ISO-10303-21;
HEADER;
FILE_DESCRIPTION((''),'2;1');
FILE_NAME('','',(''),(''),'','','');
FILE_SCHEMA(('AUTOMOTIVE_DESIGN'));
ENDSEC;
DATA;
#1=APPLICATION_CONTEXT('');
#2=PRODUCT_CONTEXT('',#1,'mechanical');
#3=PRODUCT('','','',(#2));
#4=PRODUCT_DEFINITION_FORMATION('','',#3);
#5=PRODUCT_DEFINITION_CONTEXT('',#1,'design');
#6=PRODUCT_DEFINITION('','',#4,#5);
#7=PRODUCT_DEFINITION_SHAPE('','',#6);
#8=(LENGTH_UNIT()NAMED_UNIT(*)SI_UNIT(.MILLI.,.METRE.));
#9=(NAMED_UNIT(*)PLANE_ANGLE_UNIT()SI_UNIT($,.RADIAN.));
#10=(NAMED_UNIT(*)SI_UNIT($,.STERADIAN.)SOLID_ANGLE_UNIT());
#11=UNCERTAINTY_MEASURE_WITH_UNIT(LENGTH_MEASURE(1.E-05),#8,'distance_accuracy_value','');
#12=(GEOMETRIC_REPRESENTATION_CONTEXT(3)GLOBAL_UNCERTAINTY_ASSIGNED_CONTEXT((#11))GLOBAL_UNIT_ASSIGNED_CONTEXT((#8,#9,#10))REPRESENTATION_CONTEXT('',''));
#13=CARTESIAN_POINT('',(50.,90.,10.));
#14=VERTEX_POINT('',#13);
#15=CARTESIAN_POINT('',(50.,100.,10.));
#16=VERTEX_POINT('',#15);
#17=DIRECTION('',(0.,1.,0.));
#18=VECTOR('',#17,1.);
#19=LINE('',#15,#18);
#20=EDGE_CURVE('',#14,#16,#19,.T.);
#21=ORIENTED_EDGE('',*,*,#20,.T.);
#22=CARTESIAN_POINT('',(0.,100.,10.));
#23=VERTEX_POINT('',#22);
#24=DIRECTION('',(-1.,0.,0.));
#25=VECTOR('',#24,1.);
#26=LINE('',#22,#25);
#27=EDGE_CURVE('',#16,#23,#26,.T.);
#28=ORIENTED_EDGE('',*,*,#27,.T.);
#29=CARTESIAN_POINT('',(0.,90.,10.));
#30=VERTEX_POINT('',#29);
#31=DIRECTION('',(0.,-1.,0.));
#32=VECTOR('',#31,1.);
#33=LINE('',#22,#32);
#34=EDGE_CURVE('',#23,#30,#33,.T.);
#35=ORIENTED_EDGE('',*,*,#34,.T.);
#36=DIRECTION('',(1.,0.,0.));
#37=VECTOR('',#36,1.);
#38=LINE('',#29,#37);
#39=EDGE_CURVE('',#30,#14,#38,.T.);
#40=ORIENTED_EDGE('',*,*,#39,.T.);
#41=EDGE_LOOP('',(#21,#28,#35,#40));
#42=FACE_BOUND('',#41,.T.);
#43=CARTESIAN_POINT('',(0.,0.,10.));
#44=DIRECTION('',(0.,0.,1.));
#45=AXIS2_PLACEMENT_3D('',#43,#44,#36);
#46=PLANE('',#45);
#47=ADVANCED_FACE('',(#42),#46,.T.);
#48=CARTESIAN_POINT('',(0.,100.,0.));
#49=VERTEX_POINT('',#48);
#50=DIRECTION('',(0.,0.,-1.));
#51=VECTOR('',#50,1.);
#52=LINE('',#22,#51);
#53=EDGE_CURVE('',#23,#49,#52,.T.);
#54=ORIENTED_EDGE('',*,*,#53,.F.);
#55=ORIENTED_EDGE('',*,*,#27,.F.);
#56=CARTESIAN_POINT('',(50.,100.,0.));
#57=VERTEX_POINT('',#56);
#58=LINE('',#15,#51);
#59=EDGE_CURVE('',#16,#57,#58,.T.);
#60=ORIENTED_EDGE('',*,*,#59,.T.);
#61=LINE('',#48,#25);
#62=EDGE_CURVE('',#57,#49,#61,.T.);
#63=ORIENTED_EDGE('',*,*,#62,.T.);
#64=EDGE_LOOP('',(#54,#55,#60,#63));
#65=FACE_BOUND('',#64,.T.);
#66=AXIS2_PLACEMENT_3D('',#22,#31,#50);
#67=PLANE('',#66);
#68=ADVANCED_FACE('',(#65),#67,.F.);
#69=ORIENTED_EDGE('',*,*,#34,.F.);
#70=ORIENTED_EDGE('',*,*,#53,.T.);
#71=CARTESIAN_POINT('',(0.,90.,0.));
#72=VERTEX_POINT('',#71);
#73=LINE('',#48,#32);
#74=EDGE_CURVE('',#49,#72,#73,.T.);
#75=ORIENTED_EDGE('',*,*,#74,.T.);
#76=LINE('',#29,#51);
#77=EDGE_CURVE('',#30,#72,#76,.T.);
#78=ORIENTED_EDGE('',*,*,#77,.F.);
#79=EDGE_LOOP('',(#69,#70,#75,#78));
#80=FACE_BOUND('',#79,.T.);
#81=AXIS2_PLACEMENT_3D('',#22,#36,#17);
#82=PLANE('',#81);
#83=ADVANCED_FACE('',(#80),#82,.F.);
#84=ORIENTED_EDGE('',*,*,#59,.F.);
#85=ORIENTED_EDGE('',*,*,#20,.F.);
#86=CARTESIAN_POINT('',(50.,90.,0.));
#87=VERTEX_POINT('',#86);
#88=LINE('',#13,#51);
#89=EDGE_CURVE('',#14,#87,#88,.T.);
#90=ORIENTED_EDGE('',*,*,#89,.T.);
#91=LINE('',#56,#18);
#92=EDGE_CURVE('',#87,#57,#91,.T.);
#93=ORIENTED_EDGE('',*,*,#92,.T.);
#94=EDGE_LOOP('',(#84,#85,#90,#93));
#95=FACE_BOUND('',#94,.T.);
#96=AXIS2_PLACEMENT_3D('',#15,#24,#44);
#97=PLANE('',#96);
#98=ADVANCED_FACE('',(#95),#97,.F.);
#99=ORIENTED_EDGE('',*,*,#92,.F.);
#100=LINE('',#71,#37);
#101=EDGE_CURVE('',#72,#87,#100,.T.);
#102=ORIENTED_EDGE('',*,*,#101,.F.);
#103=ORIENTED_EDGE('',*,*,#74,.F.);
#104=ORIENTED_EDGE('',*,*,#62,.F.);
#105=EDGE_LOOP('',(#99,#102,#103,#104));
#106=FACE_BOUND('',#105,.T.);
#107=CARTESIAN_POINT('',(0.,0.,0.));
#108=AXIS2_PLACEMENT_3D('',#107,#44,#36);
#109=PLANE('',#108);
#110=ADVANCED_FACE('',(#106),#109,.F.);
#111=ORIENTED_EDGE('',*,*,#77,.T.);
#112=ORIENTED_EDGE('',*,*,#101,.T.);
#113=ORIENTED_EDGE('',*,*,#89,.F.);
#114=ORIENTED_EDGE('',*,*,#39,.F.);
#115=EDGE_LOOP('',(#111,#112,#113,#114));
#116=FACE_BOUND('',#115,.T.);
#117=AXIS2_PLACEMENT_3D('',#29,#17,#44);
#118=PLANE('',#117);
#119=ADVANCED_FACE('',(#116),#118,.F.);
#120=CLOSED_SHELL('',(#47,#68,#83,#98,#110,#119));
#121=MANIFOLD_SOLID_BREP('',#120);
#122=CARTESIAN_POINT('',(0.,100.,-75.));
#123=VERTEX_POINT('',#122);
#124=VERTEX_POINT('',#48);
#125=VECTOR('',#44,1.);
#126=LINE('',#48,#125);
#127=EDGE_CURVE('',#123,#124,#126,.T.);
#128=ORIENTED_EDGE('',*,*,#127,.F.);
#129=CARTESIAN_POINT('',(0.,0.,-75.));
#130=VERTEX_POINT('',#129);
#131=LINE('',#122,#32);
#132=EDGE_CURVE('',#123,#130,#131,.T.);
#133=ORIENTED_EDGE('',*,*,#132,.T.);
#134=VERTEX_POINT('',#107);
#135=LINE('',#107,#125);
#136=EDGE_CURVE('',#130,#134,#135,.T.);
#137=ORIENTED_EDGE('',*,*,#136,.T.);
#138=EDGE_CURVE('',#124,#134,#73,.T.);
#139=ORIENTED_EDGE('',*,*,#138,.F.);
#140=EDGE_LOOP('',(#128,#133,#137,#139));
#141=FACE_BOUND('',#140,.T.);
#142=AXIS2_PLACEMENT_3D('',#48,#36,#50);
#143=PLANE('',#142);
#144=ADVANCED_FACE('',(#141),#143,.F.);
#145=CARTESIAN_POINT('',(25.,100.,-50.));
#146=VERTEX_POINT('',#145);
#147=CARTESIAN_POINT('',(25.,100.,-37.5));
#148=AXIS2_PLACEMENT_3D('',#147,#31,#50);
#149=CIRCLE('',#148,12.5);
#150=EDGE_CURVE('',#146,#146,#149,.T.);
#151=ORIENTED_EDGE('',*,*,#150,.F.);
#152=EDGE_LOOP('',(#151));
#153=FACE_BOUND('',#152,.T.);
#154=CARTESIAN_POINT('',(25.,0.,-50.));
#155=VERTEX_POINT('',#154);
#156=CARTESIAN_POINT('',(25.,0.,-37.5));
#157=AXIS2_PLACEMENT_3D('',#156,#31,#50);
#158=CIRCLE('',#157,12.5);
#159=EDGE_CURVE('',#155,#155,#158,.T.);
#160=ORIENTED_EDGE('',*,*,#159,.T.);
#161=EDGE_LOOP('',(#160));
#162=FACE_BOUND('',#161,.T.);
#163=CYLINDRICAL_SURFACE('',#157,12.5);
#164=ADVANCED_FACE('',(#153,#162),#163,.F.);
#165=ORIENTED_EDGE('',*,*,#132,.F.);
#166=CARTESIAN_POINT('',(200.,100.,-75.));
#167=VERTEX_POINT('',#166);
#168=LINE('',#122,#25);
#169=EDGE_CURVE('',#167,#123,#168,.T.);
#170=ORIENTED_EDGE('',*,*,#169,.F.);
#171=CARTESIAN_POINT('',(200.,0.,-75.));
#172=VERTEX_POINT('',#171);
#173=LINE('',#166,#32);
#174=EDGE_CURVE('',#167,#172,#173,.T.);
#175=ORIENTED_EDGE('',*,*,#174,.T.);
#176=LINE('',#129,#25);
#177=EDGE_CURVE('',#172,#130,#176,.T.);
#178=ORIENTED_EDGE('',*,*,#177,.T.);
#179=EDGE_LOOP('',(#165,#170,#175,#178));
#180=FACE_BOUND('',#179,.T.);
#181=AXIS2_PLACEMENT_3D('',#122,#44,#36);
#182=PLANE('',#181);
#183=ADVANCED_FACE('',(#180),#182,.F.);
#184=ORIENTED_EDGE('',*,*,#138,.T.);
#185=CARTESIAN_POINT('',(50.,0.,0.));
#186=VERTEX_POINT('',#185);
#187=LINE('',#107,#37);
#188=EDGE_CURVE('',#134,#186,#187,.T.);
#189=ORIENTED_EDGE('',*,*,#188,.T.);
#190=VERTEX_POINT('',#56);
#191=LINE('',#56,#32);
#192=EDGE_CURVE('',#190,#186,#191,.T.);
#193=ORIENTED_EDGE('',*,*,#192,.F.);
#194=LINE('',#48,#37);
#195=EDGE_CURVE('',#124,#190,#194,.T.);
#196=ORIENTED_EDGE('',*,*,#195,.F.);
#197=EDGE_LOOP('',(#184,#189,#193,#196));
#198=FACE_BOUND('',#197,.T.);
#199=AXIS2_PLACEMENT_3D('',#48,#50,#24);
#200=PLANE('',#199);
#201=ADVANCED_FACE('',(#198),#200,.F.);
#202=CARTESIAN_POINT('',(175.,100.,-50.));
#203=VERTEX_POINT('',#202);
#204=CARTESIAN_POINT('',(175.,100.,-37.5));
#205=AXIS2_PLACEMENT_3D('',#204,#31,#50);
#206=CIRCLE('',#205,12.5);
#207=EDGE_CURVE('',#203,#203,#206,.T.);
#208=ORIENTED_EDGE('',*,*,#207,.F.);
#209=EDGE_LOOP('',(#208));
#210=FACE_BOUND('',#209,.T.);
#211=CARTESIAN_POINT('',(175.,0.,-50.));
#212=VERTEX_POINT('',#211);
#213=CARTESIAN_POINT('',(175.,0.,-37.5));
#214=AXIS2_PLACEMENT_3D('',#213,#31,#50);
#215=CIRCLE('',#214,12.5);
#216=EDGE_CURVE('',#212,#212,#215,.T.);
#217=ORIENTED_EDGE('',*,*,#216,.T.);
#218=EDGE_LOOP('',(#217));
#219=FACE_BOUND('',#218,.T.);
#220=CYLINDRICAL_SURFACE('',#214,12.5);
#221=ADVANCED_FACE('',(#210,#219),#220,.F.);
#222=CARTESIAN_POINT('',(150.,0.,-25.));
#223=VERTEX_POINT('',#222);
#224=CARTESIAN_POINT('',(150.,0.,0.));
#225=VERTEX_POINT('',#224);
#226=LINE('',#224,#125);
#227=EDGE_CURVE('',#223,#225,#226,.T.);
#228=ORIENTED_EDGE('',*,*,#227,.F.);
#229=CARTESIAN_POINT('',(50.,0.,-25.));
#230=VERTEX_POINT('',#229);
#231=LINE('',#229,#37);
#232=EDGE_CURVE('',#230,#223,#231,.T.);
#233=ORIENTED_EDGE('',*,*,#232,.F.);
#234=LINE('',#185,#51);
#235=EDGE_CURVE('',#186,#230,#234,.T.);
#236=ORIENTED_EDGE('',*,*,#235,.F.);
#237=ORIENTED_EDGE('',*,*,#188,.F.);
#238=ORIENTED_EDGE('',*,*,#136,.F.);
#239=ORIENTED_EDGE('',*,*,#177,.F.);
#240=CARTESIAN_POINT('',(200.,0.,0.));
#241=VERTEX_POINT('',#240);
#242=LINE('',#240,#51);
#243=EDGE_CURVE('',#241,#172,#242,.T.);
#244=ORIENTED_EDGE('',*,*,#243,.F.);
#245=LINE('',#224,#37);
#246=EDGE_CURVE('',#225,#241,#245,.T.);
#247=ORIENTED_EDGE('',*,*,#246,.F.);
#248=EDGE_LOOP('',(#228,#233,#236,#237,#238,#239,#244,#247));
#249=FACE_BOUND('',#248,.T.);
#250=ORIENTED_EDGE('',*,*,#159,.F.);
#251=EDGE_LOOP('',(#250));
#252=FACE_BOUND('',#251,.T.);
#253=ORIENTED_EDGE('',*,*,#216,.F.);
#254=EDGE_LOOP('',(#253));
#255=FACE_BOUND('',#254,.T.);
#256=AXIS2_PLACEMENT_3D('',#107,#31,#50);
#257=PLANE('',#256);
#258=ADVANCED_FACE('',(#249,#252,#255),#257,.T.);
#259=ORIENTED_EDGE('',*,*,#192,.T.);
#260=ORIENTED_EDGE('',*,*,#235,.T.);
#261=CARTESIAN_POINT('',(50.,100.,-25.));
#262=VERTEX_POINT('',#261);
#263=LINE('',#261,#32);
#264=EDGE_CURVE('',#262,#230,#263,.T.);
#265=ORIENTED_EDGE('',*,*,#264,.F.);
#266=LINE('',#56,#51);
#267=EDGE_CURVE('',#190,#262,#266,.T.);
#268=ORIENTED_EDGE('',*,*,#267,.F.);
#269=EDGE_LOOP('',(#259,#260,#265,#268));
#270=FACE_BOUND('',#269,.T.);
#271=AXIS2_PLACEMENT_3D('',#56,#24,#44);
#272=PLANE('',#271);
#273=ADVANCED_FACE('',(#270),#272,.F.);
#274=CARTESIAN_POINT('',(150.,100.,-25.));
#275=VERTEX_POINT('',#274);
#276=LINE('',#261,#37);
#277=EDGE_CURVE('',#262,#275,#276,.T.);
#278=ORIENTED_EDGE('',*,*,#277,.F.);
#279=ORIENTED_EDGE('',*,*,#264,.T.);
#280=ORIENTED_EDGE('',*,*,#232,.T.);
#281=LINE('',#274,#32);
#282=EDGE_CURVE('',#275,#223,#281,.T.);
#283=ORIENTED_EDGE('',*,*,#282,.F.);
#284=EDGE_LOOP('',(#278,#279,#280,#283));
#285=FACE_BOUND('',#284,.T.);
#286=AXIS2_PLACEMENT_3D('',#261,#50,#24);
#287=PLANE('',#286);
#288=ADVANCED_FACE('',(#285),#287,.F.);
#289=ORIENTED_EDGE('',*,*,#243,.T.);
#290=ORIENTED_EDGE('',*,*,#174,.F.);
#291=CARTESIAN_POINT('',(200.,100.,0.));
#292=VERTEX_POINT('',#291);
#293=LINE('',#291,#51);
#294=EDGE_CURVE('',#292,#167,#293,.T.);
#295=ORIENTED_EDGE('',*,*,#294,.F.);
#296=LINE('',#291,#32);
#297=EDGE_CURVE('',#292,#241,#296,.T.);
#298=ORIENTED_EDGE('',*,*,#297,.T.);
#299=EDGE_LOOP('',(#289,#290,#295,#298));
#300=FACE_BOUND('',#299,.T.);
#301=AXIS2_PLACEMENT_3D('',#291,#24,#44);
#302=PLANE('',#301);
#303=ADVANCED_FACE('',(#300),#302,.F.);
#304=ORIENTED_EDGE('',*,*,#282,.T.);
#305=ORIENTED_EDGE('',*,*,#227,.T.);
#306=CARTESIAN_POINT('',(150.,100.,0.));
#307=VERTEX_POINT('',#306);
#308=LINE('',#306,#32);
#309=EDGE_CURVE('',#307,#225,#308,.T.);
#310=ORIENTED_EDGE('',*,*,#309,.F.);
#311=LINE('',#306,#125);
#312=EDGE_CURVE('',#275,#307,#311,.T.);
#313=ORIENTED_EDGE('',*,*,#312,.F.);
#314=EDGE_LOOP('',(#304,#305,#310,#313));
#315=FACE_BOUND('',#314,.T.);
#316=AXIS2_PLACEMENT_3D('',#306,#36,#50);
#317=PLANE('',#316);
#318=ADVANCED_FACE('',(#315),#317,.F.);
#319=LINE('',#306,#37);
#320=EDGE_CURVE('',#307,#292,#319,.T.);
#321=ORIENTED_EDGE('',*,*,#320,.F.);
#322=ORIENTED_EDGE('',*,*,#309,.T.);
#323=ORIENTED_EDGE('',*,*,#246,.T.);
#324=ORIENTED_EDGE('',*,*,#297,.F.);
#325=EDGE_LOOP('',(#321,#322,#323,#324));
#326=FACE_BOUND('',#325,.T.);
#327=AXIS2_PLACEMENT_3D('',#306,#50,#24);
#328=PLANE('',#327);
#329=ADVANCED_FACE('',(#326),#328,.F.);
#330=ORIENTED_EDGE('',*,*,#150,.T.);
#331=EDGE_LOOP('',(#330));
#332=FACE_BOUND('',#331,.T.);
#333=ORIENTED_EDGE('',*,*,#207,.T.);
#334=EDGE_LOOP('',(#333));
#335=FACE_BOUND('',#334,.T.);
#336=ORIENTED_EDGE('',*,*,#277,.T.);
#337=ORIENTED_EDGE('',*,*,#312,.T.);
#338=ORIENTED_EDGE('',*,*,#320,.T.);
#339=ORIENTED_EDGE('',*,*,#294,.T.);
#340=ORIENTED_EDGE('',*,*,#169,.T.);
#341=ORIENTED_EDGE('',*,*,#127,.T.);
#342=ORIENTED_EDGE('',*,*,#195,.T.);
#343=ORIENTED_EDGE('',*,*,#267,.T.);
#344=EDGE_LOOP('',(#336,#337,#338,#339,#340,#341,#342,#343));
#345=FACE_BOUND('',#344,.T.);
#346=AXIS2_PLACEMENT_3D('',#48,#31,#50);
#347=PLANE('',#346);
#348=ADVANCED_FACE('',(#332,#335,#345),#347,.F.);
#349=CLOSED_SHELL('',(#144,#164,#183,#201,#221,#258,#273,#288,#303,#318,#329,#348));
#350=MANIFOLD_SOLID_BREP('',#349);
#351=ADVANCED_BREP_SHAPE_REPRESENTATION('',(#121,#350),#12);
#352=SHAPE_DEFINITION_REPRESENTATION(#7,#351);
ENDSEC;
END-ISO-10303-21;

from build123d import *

# Parameters (mm, degrees)
BOSS_EXTRUDE1_DEPTH = 100
HOLE1_D             = 25
SKETCH3_W           = 50
SKETCH3_H           = 10
BOSS_EXTRUDE2_DEPTH = 10


with BuildPart() as part:
    # Sketch1 → Boss-Extrude1 (new body)
    with BuildSketch(Plane(origin=(0, 0, 0), x_dir=(1, 0, 0), z_dir=(0, 1, 0))):
        Polygon((150, 0), (200, 0), (200, 75), (0, 75), (0, 0), (50, 0), (50, 25), (150, 25), align=None)
    extrude(amount=BOSS_EXTRUDE1_DEPTH)

    # Hole1 (through all)
    with Locations(Plane(origin=(175, 0, -37.5), x_dir=(0, 0, -1), z_dir=(0, -1, 0))):
        with Locations((0, 0), (0, -150)):
            Hole(HOLE1_D / 2)


with BuildPart() as body_2:
    # Sketch3 → Boss-Extrude2 (new body)
    with BuildSketch(Plane.XY):
        with Locations((25, 95)):
            Rectangle(SKETCH3_W, SKETCH3_H)
    extrude(amount=BOSS_EXTRUDE2_DEPTH)


solid = Compound([part.part, body_2.part])
